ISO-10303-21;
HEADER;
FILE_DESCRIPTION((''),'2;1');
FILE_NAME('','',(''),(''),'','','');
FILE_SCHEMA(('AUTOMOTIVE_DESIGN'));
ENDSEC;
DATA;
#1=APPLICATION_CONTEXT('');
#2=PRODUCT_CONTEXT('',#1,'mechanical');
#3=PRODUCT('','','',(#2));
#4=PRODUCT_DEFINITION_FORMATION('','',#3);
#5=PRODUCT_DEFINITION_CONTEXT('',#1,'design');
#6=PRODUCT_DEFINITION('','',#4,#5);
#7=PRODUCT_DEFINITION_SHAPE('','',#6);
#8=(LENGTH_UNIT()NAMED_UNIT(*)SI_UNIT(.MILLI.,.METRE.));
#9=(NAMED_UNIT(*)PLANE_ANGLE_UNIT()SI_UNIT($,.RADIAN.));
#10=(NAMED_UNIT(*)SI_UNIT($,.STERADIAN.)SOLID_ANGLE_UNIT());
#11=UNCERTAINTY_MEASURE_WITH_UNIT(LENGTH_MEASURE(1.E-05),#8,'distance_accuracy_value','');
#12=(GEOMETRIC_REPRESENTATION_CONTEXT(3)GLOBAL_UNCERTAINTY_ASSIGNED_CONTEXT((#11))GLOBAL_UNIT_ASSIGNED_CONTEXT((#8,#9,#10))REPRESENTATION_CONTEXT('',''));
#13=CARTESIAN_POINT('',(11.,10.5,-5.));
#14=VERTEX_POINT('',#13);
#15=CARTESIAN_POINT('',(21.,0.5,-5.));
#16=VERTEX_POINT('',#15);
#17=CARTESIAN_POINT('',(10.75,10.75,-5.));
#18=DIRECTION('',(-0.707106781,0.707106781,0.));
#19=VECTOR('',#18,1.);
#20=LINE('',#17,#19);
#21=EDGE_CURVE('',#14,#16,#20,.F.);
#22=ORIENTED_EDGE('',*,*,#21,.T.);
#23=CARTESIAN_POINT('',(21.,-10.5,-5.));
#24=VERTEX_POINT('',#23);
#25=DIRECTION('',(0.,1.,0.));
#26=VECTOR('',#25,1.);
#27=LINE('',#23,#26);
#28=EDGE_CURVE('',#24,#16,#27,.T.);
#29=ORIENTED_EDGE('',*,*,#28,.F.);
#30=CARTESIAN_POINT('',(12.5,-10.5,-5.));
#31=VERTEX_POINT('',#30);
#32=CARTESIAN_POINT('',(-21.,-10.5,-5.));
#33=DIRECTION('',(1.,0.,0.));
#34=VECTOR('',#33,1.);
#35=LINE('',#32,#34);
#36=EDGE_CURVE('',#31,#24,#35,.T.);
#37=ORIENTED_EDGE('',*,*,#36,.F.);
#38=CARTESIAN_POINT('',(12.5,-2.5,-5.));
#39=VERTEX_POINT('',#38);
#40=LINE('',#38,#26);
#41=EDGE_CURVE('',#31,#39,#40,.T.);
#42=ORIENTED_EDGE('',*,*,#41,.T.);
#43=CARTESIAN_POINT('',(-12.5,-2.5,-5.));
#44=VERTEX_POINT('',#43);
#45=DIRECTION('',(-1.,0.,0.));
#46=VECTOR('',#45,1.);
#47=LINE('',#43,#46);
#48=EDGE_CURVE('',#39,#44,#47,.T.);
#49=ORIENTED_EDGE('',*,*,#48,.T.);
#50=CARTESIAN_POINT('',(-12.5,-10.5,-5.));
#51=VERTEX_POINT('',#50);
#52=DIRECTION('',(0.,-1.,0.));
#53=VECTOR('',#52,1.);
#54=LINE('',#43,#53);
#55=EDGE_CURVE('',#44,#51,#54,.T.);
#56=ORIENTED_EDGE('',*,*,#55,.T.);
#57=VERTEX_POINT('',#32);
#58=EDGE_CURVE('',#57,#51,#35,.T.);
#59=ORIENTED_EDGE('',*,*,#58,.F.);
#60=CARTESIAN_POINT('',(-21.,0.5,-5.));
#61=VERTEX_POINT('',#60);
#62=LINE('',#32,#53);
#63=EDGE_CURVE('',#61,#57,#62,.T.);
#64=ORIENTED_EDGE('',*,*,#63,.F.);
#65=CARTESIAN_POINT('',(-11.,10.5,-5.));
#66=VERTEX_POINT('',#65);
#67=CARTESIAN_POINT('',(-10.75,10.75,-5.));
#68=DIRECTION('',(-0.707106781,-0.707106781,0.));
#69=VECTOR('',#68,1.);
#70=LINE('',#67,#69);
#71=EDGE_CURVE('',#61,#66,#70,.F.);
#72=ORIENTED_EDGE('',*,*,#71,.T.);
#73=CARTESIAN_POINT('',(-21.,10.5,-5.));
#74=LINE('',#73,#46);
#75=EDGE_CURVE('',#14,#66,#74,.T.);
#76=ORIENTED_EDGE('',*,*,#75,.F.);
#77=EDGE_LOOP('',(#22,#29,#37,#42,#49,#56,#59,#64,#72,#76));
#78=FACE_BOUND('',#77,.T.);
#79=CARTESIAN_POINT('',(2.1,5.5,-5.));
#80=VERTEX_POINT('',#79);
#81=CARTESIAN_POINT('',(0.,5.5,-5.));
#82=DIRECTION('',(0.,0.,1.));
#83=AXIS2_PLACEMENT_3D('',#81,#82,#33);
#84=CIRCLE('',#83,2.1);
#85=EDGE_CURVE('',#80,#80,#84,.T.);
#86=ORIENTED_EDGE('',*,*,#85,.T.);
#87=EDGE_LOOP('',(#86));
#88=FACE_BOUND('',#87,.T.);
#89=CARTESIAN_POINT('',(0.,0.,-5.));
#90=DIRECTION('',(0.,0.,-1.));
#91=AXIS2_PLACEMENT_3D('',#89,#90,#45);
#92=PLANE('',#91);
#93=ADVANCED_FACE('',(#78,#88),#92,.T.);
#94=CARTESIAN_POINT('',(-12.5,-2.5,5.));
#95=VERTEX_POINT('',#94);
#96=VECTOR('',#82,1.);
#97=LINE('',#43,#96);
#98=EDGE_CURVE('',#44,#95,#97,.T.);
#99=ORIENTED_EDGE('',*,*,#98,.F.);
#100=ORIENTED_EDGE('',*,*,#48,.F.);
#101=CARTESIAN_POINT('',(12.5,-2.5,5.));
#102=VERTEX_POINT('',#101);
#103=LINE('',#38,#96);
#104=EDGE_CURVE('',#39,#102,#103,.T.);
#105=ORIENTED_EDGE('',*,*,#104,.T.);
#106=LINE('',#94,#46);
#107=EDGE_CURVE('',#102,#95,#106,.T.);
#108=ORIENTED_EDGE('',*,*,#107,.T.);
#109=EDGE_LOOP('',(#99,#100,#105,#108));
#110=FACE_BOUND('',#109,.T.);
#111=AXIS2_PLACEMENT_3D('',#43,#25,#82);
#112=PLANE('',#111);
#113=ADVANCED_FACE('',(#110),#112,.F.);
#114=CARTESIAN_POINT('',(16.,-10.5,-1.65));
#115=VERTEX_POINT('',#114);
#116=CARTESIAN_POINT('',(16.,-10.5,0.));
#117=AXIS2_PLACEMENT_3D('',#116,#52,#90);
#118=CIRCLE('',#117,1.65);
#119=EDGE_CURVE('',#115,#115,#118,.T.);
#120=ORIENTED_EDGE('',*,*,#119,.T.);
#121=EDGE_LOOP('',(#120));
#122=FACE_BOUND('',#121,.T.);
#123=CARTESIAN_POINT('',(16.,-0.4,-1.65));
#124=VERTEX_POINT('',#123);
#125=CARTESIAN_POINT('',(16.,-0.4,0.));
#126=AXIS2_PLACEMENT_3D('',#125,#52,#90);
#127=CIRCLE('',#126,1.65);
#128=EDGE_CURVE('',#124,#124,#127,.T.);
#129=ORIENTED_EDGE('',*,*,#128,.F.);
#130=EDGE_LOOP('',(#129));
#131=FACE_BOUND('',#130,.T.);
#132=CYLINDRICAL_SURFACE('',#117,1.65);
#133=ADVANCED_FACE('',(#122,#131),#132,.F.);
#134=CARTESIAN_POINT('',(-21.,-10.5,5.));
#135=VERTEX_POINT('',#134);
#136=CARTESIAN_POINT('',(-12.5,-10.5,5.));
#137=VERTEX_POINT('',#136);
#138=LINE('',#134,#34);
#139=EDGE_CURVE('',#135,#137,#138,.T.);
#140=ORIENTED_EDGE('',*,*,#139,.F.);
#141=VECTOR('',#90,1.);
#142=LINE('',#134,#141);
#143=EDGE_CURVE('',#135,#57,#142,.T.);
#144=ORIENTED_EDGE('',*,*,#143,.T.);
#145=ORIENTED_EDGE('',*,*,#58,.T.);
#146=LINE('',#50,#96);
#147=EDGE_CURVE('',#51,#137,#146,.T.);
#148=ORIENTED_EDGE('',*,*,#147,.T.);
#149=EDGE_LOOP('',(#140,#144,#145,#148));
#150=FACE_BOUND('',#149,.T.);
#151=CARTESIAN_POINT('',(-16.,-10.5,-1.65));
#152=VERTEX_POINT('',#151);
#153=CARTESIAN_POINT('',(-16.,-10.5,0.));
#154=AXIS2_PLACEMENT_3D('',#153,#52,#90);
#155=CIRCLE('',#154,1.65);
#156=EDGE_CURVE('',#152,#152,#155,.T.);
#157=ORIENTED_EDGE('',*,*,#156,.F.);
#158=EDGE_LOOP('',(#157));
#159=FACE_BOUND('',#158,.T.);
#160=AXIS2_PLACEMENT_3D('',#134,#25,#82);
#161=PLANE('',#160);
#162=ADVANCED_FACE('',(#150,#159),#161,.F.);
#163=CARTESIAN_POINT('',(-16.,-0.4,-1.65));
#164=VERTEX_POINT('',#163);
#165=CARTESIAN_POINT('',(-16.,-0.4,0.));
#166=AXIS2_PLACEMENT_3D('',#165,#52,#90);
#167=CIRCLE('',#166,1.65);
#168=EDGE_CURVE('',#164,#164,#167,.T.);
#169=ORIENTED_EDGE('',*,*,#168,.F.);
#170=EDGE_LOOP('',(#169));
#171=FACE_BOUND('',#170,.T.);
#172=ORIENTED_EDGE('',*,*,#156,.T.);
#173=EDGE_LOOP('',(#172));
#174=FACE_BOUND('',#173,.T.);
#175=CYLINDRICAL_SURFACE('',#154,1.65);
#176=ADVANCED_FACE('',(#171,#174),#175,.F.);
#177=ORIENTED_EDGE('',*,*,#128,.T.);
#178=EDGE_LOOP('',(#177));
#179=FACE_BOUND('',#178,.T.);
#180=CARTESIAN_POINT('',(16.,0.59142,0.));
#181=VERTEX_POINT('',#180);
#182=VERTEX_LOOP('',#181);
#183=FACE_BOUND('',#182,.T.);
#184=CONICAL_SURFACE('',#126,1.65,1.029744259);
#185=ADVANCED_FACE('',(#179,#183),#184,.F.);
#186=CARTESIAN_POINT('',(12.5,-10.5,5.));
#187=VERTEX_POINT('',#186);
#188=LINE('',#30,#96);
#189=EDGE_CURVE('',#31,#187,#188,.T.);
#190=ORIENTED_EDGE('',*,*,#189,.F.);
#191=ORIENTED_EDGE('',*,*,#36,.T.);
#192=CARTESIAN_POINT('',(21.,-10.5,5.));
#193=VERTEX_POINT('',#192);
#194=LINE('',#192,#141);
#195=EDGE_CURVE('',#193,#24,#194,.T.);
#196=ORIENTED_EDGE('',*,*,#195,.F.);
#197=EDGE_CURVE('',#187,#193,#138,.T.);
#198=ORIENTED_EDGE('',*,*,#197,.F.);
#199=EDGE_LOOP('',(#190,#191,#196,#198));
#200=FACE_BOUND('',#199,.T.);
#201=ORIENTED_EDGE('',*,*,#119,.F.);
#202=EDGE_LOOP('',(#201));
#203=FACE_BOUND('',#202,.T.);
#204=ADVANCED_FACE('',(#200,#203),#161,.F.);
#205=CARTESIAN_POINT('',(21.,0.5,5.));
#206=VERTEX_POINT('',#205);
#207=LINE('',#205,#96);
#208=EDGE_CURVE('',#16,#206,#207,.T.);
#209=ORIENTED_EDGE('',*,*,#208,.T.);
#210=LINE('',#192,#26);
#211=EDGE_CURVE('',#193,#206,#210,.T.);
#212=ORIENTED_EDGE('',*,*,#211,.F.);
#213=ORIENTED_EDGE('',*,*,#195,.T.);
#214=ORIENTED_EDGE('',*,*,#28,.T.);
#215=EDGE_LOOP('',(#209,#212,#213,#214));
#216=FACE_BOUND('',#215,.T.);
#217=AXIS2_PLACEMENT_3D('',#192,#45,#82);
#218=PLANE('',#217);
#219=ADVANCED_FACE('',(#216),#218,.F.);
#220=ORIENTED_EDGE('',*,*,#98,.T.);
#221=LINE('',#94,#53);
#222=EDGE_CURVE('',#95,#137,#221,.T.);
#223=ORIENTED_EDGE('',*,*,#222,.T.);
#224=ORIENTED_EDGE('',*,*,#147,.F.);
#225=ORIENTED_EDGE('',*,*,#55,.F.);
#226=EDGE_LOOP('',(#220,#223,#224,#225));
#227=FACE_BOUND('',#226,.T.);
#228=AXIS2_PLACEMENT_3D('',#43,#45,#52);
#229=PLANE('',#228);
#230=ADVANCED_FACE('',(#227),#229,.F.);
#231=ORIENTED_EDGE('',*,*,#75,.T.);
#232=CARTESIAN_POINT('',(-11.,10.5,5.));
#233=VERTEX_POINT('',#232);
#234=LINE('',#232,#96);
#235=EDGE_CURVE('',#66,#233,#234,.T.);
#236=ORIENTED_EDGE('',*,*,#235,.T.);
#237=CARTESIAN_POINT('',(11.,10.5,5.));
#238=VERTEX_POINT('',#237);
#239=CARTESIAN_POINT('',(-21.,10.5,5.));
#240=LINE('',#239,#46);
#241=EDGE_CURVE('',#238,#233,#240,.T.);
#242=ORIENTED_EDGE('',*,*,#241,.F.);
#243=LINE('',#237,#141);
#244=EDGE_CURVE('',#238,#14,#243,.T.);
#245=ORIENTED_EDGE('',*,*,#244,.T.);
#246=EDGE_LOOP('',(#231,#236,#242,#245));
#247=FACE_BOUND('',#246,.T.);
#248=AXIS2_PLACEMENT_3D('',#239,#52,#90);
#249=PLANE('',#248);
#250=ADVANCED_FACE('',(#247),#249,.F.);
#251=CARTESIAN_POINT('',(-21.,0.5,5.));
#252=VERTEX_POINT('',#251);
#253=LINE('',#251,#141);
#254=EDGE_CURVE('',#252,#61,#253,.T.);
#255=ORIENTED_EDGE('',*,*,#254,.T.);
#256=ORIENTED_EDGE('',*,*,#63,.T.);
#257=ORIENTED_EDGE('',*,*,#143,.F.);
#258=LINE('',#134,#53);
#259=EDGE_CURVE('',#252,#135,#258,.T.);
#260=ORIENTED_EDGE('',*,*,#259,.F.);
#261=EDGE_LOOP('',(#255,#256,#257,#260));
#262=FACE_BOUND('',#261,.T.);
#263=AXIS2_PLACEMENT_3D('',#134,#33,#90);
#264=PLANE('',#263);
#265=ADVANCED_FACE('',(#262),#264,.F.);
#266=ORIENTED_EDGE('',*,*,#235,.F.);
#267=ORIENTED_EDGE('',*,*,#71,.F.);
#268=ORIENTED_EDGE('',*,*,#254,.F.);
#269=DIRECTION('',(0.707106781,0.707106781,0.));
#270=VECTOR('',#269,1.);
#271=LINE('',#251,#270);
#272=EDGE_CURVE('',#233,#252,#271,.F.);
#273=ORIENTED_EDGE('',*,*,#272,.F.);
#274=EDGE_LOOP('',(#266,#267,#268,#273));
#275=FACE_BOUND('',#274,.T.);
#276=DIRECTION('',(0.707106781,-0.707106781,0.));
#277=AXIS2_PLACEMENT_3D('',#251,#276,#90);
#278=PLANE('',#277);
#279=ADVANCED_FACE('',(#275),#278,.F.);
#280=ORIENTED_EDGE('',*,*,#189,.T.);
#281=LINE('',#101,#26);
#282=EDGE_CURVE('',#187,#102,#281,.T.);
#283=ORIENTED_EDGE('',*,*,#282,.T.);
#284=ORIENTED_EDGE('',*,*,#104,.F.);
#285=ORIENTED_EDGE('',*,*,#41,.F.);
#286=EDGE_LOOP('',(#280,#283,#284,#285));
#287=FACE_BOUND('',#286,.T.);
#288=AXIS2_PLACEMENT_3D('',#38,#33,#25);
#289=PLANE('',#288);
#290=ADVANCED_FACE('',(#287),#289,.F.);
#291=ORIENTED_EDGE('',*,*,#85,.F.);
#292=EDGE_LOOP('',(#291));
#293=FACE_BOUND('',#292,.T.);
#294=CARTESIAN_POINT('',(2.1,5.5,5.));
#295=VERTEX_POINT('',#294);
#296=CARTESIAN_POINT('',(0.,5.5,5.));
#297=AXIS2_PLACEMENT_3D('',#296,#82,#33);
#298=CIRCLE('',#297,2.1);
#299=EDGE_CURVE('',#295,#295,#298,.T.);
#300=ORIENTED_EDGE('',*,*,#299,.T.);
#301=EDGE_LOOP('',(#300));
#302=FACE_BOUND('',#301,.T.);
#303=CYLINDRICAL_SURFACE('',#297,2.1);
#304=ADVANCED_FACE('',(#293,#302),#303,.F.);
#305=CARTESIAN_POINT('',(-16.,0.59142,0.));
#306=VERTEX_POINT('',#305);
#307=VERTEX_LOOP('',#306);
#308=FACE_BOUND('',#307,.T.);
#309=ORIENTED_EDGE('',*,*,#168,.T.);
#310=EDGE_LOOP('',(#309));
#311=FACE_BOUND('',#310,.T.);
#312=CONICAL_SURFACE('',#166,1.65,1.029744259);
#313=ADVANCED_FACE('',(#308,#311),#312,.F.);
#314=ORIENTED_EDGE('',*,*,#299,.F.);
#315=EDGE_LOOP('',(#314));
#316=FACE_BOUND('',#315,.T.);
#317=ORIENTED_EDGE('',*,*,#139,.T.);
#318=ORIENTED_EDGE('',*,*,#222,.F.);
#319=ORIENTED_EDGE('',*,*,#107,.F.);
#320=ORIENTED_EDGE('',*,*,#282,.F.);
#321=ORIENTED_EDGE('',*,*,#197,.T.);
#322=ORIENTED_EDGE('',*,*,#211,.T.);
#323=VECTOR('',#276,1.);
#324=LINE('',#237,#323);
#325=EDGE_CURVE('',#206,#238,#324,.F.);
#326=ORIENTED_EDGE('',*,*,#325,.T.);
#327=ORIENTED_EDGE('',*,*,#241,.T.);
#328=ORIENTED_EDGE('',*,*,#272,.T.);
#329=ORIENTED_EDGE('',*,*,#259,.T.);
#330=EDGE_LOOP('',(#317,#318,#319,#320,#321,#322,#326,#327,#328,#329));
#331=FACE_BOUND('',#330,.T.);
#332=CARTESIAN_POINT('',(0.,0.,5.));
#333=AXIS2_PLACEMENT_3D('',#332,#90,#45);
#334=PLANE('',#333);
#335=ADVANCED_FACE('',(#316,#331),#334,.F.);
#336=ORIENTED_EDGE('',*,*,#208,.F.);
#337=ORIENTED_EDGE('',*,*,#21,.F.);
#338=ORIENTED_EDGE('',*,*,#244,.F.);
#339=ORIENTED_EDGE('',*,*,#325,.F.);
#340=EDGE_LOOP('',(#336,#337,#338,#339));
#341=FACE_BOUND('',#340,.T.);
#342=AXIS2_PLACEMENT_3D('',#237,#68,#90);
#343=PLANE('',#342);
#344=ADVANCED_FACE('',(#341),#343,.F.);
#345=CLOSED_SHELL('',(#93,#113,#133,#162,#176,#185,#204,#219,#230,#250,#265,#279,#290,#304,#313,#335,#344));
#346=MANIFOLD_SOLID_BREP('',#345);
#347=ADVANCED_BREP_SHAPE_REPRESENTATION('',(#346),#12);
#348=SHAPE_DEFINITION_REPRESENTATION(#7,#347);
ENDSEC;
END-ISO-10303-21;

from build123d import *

# Parameters (mm, degrees)
SKETCH_1_W             = 42
SKETCH_1_H             = 21
EXTRUDE_1_DEPTH        = 5
SKETCH_2_W             = 25
SKETCH_2_H             = 8
CUT_EXTRUDE_1_DEPTH    = 26.51960031
HOLE_WIZARD_M4_1_D     = 3.3
HOLE_WIZARD_M4_1_DEPTH = 10.1
HOLE_WIZARD_M4_1_TIP   = 0.991420021
HOLE_WIZARD_M5_1_D     = 4.2
CHAMFER_1_SIZE         = 10


with BuildPart() as part:
    # 草图1 → 凸台-拉伸1 (new, symmetric)
    with BuildSketch(Plane.XY):
        Rectangle(SKETCH_1_W, SKETCH_1_H)
    extrude(amount=EXTRUDE_1_DEPTH, both=True)

    # 草图2 → 切除-拉伸1 (cut, through all)
    with BuildSketch(Plane.XY.offset(5)):
        with Locations((0, -6.5)):
            Rectangle(SKETCH_2_W, SKETCH_2_H)
    extrude(amount=-CUT_EXTRUDE_1_DEPTH, mode=Mode.SUBTRACT)

    # M4 螺纹孔1
    with Locations(Plane(origin=(0, -10.5, 0), x_dir=(-1, 0, 0), z_dir=(0, -1, 0))):
        with Locations((16, 0), (-16, 0)):
            Hole(HOLE_WIZARD_M4_1_D / 2, depth=HOLE_WIZARD_M4_1_DEPTH)
            with Locations((0, 0, -(HOLE_WIZARD_M4_1_DEPTH + HOLE_WIZARD_M4_1_TIP / 2))):  # 118° drill point
                Cone(0, HOLE_WIZARD_M4_1_D / 2, HOLE_WIZARD_M4_1_TIP, mode=Mode.SUBTRACT)

    # M5 螺纹孔1 (through all)
    with Locations(Plane.XY.offset(5)):
        with Locations((0, 5.5)):
            Hole(HOLE_WIZARD_M5_1_D / 2)

    # 倒角1
    chamfer_1_edges = [part.edges().sort_by_distance(p)[0] for p in [
        (-21, 10.5, 0),
        (21, 10.5, 0),
    ]]
    chamfer(chamfer_1_edges, length=CHAMFER_1_SIZE)


solid = part.part
